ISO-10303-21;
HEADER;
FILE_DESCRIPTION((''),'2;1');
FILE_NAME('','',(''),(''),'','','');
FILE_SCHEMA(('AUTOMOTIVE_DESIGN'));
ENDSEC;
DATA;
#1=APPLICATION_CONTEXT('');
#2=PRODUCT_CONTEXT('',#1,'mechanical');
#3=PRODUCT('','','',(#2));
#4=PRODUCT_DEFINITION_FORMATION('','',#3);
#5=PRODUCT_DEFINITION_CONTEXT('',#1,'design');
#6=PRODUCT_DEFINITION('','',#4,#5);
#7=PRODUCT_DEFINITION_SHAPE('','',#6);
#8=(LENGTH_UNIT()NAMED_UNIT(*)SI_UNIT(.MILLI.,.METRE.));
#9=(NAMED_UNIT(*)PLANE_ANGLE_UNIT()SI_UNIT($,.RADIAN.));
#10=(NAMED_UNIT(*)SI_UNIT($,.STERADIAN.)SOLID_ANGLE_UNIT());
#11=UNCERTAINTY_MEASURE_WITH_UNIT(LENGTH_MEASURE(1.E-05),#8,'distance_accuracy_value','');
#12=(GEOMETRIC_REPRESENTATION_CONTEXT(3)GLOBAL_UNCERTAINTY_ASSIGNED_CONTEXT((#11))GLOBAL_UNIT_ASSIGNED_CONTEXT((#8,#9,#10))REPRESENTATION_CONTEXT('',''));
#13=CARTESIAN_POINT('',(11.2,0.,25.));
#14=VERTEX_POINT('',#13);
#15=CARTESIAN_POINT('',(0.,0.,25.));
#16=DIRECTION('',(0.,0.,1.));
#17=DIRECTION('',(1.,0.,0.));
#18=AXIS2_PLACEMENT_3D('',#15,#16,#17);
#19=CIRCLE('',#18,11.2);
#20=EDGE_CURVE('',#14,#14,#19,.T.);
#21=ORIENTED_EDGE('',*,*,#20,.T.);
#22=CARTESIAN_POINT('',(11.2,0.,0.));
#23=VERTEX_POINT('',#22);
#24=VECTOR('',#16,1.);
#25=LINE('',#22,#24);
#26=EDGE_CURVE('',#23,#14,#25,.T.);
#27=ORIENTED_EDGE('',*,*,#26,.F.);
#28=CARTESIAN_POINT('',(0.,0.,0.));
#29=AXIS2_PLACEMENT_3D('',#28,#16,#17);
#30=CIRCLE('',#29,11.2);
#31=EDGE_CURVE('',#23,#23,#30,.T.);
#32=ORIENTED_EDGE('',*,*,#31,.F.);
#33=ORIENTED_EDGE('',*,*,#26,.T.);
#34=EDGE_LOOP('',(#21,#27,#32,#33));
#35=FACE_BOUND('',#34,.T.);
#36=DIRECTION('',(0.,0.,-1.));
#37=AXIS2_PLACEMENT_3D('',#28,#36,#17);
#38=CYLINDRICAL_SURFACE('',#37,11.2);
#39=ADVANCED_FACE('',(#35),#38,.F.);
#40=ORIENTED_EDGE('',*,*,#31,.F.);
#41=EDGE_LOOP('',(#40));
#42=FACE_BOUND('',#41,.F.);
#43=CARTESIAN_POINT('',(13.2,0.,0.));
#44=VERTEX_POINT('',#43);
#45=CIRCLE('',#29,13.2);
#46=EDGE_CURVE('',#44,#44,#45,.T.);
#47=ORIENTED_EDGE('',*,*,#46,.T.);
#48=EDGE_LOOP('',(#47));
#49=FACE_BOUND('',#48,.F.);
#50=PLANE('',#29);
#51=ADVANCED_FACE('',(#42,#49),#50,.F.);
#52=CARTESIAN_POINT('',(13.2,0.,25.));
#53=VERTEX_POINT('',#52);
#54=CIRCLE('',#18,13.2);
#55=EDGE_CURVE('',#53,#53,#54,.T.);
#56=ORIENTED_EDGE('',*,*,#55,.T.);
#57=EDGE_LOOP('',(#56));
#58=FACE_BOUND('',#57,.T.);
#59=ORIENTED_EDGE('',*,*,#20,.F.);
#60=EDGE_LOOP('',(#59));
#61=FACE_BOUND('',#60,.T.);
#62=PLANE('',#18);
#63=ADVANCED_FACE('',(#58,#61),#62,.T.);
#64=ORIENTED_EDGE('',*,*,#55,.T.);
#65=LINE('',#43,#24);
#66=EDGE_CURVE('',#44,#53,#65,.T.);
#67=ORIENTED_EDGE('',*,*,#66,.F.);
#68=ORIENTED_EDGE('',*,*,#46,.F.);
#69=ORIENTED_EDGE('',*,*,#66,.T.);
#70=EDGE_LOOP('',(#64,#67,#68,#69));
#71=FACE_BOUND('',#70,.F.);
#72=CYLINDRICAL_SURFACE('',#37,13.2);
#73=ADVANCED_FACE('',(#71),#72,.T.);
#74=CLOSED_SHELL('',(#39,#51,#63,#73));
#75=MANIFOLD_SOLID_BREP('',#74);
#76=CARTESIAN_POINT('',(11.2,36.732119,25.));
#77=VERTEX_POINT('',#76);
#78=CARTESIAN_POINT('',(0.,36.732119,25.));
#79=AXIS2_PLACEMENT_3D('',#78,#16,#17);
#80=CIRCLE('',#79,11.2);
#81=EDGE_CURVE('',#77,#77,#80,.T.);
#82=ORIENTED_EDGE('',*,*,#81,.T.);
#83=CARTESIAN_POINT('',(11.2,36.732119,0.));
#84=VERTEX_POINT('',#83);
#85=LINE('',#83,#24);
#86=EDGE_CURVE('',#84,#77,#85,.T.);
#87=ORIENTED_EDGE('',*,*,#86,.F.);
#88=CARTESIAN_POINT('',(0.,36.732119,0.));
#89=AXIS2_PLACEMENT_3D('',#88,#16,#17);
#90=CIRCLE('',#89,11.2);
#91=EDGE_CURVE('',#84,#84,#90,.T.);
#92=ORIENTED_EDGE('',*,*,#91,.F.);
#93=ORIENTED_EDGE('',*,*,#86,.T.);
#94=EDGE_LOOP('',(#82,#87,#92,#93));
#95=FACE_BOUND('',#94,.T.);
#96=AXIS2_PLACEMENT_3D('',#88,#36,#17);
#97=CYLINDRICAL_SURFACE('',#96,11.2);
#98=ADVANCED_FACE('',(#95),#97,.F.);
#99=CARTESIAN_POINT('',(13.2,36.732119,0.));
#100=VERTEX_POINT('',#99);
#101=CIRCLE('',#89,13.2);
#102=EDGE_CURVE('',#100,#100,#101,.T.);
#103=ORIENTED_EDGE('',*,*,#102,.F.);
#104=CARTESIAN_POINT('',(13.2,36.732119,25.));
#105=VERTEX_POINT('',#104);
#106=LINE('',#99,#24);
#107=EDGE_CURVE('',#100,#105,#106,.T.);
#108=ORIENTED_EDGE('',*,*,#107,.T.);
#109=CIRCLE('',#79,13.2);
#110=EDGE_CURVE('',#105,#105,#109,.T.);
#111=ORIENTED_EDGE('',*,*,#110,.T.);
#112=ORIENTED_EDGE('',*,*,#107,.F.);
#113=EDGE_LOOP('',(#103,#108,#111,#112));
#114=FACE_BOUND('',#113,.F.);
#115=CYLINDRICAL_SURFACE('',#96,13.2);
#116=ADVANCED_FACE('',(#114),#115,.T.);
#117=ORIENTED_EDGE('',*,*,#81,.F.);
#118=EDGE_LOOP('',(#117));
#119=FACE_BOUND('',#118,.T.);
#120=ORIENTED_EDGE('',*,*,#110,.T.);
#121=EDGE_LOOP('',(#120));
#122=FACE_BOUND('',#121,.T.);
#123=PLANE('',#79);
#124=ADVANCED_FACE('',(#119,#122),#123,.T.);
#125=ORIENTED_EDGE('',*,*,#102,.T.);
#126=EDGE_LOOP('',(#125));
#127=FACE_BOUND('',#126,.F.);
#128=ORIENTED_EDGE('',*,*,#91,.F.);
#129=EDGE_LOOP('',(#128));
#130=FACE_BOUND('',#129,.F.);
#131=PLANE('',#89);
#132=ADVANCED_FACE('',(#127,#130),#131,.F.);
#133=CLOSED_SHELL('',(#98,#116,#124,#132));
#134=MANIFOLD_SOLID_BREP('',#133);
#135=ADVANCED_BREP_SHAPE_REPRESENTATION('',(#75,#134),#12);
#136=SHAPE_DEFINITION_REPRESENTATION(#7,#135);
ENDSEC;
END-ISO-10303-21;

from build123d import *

# Parameters (mm, degrees)
F0_R     = 13.2
F0_R_2   = 11.2
F1_DEPTH = 25


with BuildPart() as f1:
    # F0 (on Top) → F1 (new body)
    with BuildSketch(Plane.XY):
        Circle(F0_R)
        Circle(F0_R_2, mode=Mode.SUBTRACT)
        with Locations((0, 36.732119)):
            Circle(F0_R)
        with Locations((0, 36.732119)):
            Circle(F0_R_2, mode=Mode.SUBTRACT)
    extrude(amount=F1_DEPTH)


solid = f1.part
